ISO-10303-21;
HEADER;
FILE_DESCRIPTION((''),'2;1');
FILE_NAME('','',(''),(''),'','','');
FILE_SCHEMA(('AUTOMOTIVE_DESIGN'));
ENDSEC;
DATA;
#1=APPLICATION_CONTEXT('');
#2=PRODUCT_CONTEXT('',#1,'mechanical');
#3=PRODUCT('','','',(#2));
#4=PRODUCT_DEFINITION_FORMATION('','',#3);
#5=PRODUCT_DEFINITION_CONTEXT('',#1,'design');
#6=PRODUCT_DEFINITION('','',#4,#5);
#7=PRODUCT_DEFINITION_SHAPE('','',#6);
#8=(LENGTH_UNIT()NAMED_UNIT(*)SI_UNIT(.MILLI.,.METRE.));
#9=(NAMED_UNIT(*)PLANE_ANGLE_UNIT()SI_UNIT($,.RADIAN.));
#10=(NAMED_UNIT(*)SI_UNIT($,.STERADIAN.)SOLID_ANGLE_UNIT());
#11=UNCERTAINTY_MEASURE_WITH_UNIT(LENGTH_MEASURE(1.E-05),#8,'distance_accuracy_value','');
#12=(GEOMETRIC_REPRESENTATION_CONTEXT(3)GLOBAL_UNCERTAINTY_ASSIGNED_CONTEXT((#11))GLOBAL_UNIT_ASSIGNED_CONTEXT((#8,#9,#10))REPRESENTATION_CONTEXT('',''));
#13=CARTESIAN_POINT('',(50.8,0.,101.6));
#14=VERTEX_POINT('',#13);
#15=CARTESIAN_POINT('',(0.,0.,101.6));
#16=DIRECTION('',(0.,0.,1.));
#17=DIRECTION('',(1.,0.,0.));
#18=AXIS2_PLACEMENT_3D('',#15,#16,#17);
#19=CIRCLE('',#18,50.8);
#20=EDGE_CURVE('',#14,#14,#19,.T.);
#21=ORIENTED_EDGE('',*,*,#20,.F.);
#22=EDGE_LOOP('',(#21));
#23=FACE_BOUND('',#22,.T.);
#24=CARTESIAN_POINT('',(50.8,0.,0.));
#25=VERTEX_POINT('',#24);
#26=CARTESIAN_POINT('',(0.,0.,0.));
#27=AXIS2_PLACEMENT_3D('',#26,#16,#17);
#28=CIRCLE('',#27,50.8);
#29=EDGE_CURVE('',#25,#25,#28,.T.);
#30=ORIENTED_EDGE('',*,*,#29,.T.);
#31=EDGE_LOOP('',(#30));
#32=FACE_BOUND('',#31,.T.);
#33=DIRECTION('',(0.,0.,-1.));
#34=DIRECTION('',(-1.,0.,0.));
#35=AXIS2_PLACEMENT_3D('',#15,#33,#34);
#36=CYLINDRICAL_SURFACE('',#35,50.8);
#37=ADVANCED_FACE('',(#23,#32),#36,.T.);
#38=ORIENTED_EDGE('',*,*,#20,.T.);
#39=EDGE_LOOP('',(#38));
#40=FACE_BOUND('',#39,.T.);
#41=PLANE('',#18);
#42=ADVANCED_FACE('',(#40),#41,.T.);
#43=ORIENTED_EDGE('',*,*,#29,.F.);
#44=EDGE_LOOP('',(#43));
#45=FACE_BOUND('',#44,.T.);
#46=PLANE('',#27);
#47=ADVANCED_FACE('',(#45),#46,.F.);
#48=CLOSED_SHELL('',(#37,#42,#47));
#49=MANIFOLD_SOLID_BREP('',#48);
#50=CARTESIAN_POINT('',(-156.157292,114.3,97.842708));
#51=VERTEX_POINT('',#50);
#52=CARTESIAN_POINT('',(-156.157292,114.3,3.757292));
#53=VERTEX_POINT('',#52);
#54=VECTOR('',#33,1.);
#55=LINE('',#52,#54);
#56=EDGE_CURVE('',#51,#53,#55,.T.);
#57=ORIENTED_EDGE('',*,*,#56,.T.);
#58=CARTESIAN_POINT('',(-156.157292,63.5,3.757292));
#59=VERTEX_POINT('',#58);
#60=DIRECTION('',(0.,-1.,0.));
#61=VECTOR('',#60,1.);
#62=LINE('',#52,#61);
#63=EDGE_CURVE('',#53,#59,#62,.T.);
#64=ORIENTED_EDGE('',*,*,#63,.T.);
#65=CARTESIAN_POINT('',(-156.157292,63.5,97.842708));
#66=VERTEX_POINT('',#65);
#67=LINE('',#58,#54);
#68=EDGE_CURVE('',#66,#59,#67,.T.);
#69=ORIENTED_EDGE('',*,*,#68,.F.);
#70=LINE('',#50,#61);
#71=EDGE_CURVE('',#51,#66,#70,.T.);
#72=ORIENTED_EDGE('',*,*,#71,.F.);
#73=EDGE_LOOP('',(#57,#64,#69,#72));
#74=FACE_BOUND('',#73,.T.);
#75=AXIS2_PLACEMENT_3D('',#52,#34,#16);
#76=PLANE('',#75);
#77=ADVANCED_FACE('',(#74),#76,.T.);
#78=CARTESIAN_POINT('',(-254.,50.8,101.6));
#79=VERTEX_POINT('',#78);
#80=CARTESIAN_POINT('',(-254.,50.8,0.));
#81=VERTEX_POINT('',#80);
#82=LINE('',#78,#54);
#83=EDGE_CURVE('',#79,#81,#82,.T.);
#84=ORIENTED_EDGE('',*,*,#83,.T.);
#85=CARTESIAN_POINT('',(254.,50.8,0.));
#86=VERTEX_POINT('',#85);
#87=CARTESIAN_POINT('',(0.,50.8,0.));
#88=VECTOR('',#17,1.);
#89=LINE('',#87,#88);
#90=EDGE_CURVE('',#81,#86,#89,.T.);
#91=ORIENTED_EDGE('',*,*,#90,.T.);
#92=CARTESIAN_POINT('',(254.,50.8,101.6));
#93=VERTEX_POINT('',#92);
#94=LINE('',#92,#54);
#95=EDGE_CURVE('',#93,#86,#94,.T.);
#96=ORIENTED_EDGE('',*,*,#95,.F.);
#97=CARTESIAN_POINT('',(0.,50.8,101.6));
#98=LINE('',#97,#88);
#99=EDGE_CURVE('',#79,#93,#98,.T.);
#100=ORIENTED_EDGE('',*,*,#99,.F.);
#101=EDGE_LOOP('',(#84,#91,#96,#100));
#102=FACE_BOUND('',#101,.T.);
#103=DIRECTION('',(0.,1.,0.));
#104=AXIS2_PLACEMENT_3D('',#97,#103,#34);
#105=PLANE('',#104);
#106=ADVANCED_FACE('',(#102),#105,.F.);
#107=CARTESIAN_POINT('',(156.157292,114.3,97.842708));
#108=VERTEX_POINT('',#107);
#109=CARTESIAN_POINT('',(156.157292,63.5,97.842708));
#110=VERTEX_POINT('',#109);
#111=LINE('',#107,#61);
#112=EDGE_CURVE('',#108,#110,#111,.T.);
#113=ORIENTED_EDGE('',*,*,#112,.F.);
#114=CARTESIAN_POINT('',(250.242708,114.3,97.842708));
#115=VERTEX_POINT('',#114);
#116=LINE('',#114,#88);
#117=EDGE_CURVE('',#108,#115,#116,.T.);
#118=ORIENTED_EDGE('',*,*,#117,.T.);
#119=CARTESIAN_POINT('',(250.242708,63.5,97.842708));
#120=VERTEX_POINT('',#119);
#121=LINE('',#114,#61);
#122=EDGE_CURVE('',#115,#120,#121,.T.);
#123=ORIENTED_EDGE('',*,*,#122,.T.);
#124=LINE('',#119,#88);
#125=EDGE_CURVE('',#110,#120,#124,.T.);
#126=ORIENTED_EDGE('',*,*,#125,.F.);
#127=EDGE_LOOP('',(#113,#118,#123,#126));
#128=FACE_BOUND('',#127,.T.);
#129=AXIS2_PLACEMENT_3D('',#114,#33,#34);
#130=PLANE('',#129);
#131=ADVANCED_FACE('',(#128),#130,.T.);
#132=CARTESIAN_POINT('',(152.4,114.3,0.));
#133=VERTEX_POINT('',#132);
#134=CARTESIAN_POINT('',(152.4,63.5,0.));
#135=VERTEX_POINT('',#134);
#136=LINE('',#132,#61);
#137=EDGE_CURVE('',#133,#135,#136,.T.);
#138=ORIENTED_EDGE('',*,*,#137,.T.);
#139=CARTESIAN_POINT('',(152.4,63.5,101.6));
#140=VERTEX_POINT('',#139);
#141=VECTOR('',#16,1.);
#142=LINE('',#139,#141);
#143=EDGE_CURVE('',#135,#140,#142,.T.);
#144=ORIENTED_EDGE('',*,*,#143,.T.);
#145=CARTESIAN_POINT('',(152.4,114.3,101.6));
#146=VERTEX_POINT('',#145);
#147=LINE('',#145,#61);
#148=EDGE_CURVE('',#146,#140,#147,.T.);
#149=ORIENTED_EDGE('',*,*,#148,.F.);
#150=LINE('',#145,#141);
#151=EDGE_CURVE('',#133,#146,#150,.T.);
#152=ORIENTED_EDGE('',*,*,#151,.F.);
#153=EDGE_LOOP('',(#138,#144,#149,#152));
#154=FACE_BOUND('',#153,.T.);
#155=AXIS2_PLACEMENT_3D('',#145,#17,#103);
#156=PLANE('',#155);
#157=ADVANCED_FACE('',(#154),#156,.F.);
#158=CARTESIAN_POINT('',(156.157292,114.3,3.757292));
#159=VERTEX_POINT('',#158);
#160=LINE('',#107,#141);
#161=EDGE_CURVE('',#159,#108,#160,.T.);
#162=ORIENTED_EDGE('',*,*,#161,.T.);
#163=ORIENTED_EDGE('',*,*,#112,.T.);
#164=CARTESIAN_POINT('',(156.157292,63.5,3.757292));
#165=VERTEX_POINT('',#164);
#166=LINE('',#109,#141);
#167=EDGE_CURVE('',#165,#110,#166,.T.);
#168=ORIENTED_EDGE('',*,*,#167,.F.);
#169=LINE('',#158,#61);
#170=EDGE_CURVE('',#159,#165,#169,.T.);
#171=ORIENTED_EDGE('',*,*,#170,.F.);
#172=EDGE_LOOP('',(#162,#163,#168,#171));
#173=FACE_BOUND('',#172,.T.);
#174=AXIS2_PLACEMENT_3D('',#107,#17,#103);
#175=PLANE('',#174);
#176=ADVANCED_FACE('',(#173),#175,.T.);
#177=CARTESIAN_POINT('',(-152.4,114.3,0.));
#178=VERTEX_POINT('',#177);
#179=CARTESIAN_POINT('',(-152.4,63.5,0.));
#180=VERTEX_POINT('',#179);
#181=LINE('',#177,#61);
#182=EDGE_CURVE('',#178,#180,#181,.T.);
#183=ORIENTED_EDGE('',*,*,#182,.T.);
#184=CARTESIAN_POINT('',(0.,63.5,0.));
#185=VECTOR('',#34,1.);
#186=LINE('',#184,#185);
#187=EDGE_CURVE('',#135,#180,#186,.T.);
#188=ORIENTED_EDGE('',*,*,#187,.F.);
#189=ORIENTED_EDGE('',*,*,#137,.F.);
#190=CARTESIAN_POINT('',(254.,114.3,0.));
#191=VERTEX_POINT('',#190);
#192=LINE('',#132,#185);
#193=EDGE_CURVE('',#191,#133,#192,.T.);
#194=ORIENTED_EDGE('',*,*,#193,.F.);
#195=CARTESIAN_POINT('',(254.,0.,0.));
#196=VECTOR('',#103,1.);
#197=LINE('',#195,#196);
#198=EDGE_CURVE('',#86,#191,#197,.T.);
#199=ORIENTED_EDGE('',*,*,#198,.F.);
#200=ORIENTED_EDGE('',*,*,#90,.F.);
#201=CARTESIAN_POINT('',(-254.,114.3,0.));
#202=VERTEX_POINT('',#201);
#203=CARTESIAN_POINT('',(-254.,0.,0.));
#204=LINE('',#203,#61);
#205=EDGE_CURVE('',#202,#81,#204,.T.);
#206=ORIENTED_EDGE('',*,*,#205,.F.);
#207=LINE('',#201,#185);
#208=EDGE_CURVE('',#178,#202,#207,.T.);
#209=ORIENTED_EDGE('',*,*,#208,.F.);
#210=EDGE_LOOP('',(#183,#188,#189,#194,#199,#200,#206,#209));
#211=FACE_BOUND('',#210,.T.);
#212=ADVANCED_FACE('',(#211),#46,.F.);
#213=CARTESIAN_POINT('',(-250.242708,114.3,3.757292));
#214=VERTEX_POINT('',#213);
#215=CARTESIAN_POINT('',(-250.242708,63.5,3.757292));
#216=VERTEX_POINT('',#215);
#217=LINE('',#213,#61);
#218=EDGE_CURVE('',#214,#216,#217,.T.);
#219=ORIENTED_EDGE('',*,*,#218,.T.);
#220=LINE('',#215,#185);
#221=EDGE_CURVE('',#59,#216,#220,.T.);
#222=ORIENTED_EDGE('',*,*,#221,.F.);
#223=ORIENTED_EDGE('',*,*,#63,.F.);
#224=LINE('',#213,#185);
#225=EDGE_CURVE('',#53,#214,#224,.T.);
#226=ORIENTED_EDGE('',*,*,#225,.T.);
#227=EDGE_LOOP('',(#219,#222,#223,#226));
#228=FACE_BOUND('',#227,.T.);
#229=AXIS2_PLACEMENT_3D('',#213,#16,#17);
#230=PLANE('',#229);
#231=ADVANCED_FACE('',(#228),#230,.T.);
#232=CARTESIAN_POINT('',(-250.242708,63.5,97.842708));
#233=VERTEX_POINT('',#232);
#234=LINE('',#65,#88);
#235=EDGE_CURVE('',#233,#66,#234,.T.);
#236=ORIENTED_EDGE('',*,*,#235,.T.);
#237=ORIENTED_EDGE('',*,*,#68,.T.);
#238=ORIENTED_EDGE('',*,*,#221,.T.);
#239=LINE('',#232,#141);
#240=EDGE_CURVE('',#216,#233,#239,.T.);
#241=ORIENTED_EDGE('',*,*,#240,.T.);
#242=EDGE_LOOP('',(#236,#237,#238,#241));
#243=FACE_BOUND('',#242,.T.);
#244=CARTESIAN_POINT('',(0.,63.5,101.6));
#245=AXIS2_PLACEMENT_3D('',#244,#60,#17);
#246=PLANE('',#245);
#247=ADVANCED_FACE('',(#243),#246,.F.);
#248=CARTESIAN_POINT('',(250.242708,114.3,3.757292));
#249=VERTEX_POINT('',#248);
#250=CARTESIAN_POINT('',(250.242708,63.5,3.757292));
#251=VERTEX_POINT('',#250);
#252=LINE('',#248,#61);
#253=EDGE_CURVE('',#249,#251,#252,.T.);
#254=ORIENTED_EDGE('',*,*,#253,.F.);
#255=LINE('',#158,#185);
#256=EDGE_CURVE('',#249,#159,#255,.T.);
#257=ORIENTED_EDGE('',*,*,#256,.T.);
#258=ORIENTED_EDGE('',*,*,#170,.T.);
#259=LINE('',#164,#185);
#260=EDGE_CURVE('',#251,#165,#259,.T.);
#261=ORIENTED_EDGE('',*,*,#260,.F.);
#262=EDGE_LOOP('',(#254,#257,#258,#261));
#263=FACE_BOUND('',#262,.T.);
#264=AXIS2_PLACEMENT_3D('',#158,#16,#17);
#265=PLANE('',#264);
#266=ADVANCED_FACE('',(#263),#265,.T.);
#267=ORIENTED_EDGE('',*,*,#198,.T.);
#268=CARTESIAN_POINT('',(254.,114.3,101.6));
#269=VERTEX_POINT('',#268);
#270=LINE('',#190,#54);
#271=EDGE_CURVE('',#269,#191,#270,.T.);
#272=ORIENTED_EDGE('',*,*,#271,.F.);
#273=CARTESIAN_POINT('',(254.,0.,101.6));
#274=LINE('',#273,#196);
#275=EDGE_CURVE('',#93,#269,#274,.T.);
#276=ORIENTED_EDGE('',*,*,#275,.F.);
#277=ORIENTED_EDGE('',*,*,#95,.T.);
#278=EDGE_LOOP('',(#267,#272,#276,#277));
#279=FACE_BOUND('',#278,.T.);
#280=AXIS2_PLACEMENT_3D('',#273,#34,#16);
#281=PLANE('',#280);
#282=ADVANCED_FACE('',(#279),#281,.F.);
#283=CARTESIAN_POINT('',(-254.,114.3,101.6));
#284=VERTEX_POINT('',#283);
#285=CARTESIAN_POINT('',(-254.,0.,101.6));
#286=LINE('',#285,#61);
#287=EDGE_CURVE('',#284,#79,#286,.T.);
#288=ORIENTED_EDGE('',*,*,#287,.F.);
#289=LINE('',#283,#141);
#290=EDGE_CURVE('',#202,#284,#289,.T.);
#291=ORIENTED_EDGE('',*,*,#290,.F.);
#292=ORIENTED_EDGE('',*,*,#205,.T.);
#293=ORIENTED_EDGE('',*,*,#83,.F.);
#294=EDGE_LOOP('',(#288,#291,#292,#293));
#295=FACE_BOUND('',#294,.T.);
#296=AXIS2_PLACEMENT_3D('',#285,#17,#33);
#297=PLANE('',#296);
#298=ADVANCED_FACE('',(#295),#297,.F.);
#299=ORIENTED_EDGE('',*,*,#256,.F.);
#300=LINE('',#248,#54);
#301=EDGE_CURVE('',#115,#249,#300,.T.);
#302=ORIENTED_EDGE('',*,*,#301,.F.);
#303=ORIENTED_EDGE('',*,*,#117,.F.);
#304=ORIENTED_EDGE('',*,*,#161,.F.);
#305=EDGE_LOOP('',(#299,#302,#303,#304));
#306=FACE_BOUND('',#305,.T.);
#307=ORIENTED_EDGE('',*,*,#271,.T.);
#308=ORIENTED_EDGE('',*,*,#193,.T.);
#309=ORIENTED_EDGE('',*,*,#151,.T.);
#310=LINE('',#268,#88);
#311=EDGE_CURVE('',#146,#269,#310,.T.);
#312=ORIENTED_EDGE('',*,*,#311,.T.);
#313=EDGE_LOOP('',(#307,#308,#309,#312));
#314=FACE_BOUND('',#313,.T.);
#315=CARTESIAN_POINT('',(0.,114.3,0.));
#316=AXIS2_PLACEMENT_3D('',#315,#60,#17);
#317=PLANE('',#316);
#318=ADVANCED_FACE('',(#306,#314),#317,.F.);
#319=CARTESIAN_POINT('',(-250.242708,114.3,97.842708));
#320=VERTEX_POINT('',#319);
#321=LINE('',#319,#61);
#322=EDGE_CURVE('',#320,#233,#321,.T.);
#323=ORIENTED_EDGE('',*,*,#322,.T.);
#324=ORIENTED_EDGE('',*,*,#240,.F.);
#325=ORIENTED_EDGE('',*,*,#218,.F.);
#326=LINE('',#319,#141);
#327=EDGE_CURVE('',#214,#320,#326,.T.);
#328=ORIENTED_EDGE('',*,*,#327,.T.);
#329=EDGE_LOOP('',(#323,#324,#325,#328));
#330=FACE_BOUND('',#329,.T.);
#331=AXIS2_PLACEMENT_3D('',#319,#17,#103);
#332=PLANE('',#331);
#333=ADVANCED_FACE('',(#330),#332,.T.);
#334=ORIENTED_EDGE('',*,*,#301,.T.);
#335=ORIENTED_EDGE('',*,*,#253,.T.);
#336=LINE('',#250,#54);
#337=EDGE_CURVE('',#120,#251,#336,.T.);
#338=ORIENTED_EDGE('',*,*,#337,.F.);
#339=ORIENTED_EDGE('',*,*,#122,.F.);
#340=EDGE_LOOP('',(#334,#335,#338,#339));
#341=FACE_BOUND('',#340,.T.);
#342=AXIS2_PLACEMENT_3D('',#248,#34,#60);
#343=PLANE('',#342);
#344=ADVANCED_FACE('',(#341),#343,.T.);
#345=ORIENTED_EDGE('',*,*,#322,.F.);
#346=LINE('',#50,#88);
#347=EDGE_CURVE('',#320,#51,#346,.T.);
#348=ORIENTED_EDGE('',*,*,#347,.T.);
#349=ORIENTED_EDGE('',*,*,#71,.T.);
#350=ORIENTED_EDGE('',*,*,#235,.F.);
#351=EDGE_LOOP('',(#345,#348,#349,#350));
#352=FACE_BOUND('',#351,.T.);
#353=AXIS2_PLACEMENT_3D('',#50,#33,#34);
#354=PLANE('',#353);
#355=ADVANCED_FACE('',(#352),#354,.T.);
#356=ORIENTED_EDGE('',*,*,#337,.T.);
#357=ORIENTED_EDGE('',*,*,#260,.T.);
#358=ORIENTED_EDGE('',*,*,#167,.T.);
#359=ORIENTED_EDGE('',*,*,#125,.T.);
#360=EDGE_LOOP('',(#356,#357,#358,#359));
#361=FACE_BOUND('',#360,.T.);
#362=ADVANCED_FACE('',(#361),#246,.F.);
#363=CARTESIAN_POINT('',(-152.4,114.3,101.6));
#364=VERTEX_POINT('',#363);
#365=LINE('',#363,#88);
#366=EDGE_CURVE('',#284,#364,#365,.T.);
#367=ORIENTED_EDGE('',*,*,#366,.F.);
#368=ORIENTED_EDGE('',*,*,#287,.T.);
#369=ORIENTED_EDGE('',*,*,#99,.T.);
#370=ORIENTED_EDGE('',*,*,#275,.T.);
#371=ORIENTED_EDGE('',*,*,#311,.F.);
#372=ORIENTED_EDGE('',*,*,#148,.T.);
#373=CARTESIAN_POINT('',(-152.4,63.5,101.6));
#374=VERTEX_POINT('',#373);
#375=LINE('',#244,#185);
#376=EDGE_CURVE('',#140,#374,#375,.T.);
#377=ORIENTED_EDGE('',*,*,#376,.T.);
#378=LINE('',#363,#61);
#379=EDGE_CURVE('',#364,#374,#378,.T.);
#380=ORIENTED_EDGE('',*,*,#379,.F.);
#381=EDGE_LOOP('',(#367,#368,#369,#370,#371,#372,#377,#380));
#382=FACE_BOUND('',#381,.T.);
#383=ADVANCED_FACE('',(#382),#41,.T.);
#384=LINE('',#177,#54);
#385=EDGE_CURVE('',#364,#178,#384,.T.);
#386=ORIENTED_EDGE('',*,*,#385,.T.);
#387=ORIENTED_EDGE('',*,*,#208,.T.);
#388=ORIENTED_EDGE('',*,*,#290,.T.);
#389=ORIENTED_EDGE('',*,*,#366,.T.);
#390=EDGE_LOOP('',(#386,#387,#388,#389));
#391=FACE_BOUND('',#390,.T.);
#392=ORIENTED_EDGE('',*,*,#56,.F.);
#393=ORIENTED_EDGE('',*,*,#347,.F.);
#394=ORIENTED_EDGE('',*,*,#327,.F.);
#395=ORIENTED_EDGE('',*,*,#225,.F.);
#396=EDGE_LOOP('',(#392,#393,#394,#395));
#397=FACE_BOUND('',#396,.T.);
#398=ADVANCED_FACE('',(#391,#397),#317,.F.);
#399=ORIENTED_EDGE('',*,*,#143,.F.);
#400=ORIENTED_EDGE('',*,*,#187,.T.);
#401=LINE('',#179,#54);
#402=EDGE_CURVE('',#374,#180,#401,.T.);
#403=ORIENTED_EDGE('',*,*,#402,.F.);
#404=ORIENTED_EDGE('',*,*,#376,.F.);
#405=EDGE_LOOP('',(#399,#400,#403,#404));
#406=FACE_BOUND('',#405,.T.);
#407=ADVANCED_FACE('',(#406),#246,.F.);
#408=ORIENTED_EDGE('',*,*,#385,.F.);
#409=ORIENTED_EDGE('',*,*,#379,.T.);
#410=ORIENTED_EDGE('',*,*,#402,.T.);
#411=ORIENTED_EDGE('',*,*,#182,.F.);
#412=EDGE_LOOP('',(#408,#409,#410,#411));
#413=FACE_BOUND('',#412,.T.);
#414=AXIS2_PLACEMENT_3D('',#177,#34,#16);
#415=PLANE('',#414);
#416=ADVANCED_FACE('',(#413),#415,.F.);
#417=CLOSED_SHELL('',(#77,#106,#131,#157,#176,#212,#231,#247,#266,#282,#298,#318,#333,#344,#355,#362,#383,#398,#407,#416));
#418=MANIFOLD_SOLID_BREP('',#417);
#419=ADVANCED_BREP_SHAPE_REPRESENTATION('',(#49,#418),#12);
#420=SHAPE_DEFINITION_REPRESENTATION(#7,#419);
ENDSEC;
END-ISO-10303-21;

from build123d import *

# Parameters (mm, degrees)
BOSS_EXTRUDE1_DEPTH   = 101.6
SKETCH1_R             = 50.8
BOSS_EXTRUDE1_2_DEPTH = 101.6
SKETCH2_W             = 101.6
SKETCH2_H             = 101.6
SKETCH2_W_2           = 94.085415818
SKETCH2_H_2           = 94.085415818
BOSS_EXTRUDE2_DEPTH   = 50.8


with BuildPart() as part:
    # Sketch1 → Boss-Extrude1 (new body)
    with BuildSketch(Plane.XY):
        Polygon((-254, 63.5), (-254, 50.8), (0, 50.8), (254, 50.8), (254, 63.5), align=None)
    extrude(amount=BOSS_EXTRUDE1_DEPTH)

    # Sketch2 → Boss-Extrude2 (add)
    with BuildSketch(Plane(origin=(0, 63.5, 0), x_dir=(1, 0, 0), z_dir=(0, 1, 0))):
        with Locations((-203.2, -50.8)):
            Rectangle(SKETCH2_W, SKETCH2_H)
        with Locations((-203.2, -50.8)):
            Rectangle(SKETCH2_W_2, SKETCH2_H_2, mode=Mode.SUBTRACT)
        with Locations((203.2, -50.8)):
            Rectangle(SKETCH2_W, SKETCH2_H)
        with Locations((203.2, -50.8)):
            Rectangle(SKETCH2_W_2, SKETCH2_H_2, mode=Mode.SUBTRACT)
    extrude(amount=BOSS_EXTRUDE2_DEPTH)


with BuildPart() as body_2:
    # Sketch1 → Boss-Extrude1 2 (new body)
    with BuildSketch(Plane.XY):
        Circle(SKETCH1_R)
    extrude(amount=BOSS_EXTRUDE1_2_DEPTH)


solid = Compound([part.part, body_2.part])
